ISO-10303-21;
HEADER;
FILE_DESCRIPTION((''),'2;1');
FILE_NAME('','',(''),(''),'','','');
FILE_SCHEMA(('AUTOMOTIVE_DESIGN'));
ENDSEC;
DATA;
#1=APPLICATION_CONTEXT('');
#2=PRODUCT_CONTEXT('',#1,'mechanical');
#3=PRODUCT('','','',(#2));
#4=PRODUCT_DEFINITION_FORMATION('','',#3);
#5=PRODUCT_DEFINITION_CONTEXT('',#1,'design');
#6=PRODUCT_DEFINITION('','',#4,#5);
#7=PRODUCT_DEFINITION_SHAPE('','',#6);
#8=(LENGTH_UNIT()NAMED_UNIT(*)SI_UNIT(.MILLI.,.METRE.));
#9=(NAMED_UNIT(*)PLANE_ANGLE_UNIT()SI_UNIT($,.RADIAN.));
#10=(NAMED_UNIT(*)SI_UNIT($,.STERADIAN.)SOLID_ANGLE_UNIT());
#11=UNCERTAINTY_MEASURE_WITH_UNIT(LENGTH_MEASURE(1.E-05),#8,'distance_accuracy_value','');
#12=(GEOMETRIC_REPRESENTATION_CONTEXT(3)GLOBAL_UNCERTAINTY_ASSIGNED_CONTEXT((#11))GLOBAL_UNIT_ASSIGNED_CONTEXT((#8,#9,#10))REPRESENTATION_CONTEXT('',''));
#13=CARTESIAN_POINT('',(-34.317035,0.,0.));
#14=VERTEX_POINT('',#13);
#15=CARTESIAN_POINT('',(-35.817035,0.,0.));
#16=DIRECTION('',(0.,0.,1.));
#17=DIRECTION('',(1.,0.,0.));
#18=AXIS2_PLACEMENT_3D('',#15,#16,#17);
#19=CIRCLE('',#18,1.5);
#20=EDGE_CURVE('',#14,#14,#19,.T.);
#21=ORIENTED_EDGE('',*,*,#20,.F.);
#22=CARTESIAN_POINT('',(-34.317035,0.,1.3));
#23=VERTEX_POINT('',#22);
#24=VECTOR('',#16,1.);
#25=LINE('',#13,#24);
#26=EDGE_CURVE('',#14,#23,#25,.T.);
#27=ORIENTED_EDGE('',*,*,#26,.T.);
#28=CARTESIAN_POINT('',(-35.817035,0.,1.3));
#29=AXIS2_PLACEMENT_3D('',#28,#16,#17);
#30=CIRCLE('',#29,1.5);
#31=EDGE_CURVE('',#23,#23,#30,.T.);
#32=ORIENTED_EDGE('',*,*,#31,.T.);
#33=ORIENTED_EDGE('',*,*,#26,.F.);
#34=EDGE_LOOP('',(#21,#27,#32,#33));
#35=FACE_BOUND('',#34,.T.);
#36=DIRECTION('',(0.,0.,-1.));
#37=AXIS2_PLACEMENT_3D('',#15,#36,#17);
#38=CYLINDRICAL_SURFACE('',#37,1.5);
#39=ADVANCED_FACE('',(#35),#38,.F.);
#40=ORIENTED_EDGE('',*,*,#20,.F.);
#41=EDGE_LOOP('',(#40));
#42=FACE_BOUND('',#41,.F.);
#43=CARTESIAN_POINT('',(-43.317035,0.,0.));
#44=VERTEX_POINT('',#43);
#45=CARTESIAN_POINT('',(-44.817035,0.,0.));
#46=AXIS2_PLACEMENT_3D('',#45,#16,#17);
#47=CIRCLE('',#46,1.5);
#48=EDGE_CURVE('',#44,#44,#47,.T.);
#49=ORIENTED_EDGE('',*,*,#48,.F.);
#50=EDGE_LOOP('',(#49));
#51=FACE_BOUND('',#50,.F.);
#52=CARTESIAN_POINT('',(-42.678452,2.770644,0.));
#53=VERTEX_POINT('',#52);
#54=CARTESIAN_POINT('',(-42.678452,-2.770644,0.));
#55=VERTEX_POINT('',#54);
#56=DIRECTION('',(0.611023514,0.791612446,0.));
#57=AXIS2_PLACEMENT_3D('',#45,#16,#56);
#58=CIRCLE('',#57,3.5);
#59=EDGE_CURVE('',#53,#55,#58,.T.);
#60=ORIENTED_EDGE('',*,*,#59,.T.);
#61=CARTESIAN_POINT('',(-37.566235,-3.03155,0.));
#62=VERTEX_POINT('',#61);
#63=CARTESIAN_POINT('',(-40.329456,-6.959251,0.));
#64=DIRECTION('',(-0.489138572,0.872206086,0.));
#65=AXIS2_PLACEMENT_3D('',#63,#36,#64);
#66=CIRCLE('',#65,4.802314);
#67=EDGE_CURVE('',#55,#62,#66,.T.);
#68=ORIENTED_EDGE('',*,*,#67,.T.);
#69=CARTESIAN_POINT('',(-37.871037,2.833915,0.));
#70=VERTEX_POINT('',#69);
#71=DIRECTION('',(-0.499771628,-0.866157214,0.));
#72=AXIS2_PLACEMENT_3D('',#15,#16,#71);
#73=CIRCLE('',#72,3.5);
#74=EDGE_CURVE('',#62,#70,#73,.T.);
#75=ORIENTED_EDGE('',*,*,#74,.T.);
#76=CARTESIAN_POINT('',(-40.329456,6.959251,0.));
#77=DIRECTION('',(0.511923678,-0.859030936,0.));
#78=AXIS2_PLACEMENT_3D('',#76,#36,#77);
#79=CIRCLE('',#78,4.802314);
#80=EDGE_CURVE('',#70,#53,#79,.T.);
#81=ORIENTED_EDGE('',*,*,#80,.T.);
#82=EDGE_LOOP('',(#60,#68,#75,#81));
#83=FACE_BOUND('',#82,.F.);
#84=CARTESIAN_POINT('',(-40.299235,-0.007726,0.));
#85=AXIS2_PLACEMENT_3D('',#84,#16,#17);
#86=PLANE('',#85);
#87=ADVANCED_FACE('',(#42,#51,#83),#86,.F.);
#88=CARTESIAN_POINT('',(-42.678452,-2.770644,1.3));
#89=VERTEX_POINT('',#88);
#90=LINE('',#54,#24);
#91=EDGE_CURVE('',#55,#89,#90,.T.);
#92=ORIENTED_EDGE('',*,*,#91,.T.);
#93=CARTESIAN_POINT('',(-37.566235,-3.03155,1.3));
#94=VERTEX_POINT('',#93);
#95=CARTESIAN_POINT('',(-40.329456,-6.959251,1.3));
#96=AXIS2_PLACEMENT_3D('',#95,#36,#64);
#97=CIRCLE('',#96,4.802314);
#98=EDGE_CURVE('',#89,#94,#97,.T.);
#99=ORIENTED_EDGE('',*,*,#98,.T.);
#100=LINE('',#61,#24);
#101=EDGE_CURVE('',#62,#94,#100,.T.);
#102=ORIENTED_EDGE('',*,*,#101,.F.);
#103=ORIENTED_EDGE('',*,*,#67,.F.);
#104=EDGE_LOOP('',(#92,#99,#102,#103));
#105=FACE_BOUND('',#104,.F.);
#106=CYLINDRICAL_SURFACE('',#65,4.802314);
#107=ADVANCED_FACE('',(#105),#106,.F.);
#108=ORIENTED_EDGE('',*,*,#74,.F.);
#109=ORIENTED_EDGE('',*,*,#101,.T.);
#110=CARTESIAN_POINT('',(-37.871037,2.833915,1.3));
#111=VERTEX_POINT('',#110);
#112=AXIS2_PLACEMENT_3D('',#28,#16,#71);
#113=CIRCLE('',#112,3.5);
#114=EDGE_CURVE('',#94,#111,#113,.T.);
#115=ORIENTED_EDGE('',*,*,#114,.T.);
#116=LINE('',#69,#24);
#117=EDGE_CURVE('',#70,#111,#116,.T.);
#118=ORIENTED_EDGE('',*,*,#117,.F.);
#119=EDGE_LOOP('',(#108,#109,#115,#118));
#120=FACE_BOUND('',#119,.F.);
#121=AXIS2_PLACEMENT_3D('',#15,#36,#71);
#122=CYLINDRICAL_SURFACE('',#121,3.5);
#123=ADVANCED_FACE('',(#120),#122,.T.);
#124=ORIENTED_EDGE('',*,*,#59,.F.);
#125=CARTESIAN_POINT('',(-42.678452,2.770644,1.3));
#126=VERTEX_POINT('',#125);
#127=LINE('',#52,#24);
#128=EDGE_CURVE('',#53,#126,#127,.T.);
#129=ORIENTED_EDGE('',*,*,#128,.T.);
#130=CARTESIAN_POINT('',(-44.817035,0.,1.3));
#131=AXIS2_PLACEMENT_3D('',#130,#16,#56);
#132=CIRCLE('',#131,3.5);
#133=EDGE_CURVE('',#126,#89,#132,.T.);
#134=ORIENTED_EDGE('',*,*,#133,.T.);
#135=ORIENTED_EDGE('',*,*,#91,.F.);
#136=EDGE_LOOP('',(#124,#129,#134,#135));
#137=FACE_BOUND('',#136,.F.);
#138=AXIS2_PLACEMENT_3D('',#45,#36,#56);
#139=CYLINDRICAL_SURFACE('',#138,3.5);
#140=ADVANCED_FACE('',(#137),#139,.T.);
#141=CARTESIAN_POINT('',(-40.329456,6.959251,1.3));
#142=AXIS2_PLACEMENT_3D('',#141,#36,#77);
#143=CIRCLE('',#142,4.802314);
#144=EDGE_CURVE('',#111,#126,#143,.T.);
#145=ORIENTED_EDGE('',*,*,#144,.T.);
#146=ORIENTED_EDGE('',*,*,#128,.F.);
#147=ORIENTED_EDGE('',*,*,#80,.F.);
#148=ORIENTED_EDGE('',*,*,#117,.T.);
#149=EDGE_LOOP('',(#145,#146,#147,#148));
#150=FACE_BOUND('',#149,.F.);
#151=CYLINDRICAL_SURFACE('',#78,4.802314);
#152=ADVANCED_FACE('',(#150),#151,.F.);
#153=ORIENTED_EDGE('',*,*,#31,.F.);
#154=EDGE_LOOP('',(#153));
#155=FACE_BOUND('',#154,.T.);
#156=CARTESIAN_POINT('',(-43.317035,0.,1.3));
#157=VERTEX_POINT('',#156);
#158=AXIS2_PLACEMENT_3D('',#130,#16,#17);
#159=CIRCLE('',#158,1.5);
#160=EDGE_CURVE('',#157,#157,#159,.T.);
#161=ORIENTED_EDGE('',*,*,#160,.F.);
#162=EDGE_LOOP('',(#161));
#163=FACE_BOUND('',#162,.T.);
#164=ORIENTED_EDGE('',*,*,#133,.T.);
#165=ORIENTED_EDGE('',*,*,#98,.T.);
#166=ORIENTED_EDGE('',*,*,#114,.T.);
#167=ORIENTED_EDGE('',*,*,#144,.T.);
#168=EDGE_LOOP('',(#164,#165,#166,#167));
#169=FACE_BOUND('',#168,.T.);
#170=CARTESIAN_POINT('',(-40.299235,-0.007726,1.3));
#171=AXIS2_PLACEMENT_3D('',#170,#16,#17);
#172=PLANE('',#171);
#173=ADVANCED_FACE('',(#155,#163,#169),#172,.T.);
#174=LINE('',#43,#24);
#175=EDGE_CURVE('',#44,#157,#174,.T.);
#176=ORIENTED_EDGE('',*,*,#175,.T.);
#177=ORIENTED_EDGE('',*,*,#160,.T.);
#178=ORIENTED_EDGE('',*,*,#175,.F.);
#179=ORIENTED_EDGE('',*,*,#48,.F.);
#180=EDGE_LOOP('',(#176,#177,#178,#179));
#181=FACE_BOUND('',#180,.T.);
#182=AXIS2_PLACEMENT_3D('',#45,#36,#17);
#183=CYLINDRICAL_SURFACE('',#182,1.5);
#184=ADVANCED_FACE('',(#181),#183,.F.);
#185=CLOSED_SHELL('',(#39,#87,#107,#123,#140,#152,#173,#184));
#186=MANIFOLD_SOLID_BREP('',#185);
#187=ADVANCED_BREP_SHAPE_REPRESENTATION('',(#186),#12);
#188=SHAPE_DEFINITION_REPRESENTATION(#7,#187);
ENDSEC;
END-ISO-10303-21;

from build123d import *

# Parameters (mm, degrees)
SKETCH_1_R      = 1.5
EXTRUDE_1_DEPTH = 1.3


with BuildPart() as part:
    # 草图1 → 拉伸1 (new body)
    with BuildSketch(Plane.XY):
        with BuildLine():
            ThreePointArc((-42.678452475, 2.770643562), (-48.317034774, 0), (-42.678452475, -2.770643562))
            ThreePointArc((-42.678452475, -2.770643562), (-40.084683661, -2.163179112), (-37.566235472, -3.03155025))
            ThreePointArc((-37.566235472, -3.03155025), (-32.321750953, 0.181634277), (-37.871037472, 2.833914769))
            ThreePointArc((-37.871037472, 2.833914769), (-40.26625699, 2.157352959), (-42.678452475, 2.770643562))
        make_face()
        with Locations((-35.817034774, 0)):
            Circle(SKETCH_1_R, mode=Mode.SUBTRACT)
        with Locations((-44.817034774, 0)):
            Circle(SKETCH_1_R, mode=Mode.SUBTRACT)
    extrude(amount=EXTRUDE_1_DEPTH)


solid = part.part
